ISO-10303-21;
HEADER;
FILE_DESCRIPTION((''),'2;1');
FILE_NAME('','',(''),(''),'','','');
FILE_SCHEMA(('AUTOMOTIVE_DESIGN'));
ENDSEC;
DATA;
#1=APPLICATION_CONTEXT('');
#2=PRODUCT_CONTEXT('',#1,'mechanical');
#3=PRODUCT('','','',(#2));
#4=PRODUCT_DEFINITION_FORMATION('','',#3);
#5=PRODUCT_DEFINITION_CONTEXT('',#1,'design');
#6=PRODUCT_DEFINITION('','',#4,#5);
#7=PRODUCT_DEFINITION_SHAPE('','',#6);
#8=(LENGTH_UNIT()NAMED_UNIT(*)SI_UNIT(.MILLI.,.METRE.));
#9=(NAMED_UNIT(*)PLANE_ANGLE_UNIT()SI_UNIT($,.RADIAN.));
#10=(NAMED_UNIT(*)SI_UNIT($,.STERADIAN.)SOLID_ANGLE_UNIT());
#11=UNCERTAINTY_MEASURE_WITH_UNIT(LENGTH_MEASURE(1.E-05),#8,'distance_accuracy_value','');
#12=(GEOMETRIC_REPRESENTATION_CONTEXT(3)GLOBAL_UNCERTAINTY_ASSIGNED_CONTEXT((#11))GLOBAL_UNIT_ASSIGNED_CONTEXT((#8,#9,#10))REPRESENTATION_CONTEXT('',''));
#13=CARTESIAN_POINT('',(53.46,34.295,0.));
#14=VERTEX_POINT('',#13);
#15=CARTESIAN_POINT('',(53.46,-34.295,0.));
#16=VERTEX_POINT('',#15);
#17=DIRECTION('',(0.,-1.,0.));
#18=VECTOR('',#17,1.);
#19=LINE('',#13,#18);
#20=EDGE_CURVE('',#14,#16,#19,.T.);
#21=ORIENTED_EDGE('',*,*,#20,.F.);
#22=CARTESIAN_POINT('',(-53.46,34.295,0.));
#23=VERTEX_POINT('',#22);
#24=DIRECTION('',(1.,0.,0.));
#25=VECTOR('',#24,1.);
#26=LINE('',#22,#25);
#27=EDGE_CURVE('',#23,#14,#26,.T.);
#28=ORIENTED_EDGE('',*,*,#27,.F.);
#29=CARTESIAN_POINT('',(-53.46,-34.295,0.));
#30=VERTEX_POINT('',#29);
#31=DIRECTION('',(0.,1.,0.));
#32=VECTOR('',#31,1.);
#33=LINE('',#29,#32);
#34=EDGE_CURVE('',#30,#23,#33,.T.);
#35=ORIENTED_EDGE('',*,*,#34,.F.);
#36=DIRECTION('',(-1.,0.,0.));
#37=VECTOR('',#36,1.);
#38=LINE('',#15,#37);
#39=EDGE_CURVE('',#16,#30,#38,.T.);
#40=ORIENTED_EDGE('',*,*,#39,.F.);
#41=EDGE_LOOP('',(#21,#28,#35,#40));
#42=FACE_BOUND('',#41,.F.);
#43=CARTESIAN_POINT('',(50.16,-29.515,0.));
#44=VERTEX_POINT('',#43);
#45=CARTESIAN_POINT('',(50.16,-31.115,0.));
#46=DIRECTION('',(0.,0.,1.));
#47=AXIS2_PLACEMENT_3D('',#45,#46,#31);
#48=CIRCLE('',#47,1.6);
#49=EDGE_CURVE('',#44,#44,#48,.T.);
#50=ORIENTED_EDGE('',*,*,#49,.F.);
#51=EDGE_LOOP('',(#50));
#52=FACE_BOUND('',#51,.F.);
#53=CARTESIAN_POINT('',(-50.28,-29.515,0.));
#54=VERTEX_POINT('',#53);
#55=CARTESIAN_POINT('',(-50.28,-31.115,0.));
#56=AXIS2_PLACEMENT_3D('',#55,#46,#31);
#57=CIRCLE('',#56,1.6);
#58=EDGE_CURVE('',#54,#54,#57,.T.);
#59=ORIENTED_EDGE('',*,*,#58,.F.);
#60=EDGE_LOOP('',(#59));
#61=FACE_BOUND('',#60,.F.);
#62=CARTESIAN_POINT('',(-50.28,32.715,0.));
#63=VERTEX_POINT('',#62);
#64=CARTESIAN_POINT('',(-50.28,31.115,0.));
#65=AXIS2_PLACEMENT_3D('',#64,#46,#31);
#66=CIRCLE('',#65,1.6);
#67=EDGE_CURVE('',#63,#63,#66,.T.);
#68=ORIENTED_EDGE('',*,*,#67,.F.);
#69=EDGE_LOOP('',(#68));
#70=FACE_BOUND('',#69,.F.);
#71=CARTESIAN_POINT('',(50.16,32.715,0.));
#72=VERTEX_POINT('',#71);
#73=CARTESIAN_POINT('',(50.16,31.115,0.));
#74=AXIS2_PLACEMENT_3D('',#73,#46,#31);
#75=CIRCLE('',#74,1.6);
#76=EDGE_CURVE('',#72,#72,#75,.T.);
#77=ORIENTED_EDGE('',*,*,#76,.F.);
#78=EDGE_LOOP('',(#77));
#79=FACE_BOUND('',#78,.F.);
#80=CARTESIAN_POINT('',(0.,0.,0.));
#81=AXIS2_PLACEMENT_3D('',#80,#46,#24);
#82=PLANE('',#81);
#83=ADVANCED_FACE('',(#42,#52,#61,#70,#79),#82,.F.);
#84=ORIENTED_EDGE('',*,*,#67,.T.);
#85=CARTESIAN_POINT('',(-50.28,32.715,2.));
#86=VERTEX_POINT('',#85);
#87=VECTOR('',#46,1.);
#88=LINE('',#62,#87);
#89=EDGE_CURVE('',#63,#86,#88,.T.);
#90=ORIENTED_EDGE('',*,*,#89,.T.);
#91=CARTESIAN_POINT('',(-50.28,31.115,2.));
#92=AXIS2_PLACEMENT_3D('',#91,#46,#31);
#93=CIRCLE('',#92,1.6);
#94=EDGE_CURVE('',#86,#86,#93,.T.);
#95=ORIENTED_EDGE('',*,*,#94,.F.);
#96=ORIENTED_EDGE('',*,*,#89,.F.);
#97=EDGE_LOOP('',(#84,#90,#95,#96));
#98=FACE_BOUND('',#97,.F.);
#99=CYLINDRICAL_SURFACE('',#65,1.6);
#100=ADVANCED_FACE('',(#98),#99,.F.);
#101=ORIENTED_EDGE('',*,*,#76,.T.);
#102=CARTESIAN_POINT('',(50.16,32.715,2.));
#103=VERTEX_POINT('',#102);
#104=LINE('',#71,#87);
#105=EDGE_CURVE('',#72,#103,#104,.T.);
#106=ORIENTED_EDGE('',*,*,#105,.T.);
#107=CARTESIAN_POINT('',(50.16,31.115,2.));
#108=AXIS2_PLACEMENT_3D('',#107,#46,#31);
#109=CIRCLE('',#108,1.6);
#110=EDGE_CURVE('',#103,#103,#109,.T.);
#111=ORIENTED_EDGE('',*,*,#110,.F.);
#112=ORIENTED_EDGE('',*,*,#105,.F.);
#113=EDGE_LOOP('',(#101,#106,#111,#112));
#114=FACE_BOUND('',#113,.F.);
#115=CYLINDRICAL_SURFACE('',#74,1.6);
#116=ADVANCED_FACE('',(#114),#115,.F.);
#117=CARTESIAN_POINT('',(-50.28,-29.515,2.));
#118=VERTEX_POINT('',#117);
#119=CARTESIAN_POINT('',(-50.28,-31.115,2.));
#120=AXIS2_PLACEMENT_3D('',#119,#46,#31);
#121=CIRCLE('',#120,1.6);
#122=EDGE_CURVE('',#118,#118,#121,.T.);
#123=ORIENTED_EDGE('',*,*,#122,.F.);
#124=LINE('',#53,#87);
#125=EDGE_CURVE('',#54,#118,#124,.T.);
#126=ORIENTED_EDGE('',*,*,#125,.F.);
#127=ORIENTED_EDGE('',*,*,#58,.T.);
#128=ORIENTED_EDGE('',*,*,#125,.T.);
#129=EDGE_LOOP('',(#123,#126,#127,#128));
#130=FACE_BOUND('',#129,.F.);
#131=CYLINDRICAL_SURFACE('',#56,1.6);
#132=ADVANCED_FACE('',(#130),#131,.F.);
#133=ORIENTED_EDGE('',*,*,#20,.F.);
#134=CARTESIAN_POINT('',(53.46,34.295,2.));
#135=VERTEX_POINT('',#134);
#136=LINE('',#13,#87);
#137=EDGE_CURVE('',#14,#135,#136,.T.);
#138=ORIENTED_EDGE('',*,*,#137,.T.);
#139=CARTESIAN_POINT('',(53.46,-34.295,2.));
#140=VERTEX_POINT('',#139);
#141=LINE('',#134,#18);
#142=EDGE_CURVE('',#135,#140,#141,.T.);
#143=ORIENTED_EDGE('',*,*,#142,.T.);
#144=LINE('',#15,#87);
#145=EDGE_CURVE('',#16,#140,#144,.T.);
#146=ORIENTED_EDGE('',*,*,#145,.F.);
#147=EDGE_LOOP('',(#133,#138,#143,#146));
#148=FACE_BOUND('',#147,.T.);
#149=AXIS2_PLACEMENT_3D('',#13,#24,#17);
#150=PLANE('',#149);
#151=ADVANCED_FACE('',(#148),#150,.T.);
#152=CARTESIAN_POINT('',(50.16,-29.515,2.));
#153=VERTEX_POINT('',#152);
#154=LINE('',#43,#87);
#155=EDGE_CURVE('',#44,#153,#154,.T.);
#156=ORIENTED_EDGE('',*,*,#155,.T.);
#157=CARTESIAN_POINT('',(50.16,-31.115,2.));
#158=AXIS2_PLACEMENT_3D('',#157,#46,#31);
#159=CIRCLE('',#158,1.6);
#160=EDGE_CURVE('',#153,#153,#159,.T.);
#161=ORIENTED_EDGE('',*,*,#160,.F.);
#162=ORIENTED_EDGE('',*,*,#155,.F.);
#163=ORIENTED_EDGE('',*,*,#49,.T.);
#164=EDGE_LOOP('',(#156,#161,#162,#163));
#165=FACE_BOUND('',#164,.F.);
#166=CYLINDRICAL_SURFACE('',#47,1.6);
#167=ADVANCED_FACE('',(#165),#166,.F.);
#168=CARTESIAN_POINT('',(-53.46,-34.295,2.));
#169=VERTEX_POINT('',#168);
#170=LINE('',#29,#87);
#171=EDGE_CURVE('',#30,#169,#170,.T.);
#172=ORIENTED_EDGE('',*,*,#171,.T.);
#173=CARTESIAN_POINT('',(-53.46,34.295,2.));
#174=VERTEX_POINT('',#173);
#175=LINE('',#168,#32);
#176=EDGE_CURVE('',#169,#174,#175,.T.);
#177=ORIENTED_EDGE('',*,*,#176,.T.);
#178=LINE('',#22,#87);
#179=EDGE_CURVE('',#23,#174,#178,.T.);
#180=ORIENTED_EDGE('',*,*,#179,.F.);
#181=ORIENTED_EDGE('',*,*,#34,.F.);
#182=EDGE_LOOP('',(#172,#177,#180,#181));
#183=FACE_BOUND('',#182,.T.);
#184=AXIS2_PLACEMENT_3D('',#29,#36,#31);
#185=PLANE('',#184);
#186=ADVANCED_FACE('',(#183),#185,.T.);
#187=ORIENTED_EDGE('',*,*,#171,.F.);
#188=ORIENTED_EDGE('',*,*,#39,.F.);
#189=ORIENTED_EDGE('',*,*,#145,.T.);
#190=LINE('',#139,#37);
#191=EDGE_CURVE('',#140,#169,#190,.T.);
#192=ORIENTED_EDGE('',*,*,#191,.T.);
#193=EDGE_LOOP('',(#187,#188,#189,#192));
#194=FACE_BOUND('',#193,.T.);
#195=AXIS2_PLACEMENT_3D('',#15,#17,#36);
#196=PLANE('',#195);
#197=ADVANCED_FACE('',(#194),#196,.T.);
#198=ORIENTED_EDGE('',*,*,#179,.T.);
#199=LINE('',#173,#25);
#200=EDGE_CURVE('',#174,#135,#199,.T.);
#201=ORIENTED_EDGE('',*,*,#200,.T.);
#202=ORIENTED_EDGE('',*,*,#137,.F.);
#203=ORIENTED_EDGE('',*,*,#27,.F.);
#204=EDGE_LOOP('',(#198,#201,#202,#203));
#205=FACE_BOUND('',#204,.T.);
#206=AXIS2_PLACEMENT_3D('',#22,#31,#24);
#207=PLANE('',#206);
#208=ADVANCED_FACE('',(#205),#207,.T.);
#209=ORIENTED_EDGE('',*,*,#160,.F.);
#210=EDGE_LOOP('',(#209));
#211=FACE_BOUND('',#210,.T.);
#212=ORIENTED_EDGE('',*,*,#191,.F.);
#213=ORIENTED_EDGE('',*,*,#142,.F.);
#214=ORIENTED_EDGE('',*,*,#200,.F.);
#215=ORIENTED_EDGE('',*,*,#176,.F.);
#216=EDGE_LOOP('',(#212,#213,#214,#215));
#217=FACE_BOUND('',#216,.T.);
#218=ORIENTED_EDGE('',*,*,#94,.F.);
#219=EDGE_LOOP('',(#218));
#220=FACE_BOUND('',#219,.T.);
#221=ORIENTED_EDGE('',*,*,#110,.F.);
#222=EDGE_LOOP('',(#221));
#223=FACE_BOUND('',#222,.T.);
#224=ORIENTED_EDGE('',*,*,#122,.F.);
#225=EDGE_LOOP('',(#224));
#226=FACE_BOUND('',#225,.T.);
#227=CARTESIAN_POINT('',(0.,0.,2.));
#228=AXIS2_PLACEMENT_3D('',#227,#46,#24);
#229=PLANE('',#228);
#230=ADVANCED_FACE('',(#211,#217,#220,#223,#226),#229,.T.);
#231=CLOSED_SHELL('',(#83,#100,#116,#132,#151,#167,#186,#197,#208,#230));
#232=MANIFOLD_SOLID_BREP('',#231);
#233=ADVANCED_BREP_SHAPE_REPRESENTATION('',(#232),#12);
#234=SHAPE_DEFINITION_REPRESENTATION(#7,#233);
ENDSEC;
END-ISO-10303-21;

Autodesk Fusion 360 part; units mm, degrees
sketch "Sketch1" plane through (0, 0, 0) normal (0, 0, 1) x (1, 0, 0)
  line L0 (53.46, -34.295) -> (-53.46, -34.295)
  line L1 (-53.46, -34.295) -> (-53.46, 34.295)
  line L2 (-53.46, 34.295) -> (53.46, 34.295)
  line L3 (53.46, 34.295) -> (53.46, -34.295)
  line L4 (53.46, -34.295) -> (-53.46, 34.295) construction
  line L5 (-53.46, -34.295) -> (53.46, 34.295) construction
  line L6 (-50.28, 31.115) -> (50.16, 31.115) construction
  line L7 (50.16, 31.115) -> (50.16, -31.115) construction
  line L8 (50.16, -31.115) -> (-50.28, -31.115) construction
  line L9 (-50.28, -31.115) -> (-50.28, 31.115) construction
  dimension "d1" = 106.92
  dimension "d2" = 68.59
  dimension "d5" = 3.18
  dimension "d6" = 3.18
  dimension "d7" = 100.44
  dimension "d8" = 62.23
extrude "Extrude1" add sketch "Sketch1" along normal blind 2
hole "Hole1" at (-50.28, 31.115, 0) at (-50.28, -31.115, 0) at (50.16, -31.115, 0) at (50.16, 31.115, 0) direction (0, 0, 1) diameter 3.2 end up to surface (2 mm away)
equation "d2 = 65.41 mm + 3.18 mm"
